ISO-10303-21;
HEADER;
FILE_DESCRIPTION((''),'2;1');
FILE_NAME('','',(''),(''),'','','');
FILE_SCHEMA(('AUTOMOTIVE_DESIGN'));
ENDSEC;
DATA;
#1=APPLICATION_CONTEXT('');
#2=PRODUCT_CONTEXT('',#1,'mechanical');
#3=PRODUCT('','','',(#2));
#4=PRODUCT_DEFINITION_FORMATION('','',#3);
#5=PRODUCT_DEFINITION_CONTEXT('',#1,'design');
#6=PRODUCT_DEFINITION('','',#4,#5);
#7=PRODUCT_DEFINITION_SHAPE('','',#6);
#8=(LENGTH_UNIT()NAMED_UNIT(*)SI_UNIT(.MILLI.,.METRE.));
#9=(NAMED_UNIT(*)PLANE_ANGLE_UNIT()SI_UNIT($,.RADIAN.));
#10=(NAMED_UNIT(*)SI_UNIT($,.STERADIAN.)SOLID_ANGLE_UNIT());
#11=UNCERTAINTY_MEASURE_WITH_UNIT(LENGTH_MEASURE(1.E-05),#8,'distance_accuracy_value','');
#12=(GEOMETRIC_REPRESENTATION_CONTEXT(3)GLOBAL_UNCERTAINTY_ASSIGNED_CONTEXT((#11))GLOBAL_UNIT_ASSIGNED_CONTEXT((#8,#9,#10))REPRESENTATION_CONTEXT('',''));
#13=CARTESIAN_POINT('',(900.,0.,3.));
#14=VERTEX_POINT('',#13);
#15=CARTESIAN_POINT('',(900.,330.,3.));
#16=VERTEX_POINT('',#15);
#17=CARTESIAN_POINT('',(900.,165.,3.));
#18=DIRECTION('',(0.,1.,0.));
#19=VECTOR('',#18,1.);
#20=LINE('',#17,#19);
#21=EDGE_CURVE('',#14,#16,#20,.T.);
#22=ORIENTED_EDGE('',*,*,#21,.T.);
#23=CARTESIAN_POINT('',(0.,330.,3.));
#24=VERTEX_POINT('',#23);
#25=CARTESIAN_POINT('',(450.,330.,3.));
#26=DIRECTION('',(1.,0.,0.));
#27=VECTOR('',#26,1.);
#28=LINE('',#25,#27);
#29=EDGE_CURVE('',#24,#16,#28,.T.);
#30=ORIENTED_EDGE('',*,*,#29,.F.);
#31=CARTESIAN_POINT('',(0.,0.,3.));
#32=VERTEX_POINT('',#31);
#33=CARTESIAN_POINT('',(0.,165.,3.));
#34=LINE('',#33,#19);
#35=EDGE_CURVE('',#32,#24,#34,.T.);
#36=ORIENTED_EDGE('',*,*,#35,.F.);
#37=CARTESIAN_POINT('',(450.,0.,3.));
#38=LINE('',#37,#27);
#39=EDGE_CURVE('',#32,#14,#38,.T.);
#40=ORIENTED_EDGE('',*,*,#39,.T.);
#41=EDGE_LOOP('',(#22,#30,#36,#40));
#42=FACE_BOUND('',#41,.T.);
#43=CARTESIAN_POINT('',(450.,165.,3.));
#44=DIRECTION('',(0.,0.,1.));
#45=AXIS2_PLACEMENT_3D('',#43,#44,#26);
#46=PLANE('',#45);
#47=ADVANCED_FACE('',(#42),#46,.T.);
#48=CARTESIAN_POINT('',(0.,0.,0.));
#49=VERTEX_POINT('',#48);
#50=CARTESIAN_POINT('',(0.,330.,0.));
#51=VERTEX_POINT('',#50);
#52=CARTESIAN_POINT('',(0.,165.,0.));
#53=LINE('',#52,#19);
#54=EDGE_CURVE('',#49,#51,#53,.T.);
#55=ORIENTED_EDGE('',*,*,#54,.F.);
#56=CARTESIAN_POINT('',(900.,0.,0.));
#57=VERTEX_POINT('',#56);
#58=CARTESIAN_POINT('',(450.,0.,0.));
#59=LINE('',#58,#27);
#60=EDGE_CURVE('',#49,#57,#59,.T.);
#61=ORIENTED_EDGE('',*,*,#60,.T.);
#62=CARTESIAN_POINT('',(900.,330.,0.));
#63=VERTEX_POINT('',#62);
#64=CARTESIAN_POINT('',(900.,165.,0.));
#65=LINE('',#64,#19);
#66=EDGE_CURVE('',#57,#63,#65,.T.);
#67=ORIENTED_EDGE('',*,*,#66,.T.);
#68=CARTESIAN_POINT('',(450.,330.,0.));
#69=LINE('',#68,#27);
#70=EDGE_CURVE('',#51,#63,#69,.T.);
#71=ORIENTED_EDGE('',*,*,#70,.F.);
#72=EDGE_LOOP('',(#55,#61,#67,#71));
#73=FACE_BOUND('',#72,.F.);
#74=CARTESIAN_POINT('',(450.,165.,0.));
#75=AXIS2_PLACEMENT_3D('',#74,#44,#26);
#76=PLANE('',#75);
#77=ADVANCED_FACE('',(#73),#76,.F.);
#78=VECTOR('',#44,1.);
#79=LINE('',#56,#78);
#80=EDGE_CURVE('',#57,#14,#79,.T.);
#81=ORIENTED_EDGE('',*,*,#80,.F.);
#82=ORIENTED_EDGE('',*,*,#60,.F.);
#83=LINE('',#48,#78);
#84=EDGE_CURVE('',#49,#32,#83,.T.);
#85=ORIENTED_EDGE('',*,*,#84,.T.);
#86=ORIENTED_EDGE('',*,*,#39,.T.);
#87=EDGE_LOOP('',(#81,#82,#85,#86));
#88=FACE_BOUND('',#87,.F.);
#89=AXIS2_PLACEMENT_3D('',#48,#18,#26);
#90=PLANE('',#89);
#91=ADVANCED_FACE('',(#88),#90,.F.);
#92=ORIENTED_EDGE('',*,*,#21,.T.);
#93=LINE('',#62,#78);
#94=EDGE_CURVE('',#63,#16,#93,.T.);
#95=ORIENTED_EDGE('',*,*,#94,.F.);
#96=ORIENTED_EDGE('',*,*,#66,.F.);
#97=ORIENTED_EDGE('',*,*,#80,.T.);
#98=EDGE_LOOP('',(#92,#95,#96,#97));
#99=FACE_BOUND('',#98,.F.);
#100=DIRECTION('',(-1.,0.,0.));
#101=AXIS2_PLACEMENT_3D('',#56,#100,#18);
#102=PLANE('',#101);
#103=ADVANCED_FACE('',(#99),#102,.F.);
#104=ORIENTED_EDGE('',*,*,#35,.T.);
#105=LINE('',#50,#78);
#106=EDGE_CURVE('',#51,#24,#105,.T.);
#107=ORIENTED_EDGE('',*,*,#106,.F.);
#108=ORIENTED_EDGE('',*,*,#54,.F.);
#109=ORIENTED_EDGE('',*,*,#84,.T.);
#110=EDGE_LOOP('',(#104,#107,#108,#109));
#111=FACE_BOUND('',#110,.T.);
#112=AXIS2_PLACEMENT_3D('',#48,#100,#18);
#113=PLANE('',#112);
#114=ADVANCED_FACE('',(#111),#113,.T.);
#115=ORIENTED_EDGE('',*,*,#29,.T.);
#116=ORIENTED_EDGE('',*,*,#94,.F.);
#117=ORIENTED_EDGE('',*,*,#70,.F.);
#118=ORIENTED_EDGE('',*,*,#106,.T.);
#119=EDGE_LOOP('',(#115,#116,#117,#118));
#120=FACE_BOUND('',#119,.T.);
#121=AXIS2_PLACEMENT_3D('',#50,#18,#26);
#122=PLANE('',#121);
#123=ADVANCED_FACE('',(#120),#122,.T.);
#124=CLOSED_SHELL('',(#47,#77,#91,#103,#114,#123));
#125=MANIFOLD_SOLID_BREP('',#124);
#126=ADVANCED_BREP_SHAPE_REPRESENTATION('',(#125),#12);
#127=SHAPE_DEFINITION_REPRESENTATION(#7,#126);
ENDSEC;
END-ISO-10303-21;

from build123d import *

# Parameters (mm, degrees)
SKETCH001_W = 900
SKETCH001_H = 330
PAD_DEPTH   = 3


with BuildPart() as part:
    # Sketch001 → Pad (new body)
    with BuildSketch(Plane.XY):
        with Locations((450, 165)):
            Rectangle(SKETCH001_W, SKETCH001_H)
    extrude(amount=PAD_DEPTH)


solid = part.part
